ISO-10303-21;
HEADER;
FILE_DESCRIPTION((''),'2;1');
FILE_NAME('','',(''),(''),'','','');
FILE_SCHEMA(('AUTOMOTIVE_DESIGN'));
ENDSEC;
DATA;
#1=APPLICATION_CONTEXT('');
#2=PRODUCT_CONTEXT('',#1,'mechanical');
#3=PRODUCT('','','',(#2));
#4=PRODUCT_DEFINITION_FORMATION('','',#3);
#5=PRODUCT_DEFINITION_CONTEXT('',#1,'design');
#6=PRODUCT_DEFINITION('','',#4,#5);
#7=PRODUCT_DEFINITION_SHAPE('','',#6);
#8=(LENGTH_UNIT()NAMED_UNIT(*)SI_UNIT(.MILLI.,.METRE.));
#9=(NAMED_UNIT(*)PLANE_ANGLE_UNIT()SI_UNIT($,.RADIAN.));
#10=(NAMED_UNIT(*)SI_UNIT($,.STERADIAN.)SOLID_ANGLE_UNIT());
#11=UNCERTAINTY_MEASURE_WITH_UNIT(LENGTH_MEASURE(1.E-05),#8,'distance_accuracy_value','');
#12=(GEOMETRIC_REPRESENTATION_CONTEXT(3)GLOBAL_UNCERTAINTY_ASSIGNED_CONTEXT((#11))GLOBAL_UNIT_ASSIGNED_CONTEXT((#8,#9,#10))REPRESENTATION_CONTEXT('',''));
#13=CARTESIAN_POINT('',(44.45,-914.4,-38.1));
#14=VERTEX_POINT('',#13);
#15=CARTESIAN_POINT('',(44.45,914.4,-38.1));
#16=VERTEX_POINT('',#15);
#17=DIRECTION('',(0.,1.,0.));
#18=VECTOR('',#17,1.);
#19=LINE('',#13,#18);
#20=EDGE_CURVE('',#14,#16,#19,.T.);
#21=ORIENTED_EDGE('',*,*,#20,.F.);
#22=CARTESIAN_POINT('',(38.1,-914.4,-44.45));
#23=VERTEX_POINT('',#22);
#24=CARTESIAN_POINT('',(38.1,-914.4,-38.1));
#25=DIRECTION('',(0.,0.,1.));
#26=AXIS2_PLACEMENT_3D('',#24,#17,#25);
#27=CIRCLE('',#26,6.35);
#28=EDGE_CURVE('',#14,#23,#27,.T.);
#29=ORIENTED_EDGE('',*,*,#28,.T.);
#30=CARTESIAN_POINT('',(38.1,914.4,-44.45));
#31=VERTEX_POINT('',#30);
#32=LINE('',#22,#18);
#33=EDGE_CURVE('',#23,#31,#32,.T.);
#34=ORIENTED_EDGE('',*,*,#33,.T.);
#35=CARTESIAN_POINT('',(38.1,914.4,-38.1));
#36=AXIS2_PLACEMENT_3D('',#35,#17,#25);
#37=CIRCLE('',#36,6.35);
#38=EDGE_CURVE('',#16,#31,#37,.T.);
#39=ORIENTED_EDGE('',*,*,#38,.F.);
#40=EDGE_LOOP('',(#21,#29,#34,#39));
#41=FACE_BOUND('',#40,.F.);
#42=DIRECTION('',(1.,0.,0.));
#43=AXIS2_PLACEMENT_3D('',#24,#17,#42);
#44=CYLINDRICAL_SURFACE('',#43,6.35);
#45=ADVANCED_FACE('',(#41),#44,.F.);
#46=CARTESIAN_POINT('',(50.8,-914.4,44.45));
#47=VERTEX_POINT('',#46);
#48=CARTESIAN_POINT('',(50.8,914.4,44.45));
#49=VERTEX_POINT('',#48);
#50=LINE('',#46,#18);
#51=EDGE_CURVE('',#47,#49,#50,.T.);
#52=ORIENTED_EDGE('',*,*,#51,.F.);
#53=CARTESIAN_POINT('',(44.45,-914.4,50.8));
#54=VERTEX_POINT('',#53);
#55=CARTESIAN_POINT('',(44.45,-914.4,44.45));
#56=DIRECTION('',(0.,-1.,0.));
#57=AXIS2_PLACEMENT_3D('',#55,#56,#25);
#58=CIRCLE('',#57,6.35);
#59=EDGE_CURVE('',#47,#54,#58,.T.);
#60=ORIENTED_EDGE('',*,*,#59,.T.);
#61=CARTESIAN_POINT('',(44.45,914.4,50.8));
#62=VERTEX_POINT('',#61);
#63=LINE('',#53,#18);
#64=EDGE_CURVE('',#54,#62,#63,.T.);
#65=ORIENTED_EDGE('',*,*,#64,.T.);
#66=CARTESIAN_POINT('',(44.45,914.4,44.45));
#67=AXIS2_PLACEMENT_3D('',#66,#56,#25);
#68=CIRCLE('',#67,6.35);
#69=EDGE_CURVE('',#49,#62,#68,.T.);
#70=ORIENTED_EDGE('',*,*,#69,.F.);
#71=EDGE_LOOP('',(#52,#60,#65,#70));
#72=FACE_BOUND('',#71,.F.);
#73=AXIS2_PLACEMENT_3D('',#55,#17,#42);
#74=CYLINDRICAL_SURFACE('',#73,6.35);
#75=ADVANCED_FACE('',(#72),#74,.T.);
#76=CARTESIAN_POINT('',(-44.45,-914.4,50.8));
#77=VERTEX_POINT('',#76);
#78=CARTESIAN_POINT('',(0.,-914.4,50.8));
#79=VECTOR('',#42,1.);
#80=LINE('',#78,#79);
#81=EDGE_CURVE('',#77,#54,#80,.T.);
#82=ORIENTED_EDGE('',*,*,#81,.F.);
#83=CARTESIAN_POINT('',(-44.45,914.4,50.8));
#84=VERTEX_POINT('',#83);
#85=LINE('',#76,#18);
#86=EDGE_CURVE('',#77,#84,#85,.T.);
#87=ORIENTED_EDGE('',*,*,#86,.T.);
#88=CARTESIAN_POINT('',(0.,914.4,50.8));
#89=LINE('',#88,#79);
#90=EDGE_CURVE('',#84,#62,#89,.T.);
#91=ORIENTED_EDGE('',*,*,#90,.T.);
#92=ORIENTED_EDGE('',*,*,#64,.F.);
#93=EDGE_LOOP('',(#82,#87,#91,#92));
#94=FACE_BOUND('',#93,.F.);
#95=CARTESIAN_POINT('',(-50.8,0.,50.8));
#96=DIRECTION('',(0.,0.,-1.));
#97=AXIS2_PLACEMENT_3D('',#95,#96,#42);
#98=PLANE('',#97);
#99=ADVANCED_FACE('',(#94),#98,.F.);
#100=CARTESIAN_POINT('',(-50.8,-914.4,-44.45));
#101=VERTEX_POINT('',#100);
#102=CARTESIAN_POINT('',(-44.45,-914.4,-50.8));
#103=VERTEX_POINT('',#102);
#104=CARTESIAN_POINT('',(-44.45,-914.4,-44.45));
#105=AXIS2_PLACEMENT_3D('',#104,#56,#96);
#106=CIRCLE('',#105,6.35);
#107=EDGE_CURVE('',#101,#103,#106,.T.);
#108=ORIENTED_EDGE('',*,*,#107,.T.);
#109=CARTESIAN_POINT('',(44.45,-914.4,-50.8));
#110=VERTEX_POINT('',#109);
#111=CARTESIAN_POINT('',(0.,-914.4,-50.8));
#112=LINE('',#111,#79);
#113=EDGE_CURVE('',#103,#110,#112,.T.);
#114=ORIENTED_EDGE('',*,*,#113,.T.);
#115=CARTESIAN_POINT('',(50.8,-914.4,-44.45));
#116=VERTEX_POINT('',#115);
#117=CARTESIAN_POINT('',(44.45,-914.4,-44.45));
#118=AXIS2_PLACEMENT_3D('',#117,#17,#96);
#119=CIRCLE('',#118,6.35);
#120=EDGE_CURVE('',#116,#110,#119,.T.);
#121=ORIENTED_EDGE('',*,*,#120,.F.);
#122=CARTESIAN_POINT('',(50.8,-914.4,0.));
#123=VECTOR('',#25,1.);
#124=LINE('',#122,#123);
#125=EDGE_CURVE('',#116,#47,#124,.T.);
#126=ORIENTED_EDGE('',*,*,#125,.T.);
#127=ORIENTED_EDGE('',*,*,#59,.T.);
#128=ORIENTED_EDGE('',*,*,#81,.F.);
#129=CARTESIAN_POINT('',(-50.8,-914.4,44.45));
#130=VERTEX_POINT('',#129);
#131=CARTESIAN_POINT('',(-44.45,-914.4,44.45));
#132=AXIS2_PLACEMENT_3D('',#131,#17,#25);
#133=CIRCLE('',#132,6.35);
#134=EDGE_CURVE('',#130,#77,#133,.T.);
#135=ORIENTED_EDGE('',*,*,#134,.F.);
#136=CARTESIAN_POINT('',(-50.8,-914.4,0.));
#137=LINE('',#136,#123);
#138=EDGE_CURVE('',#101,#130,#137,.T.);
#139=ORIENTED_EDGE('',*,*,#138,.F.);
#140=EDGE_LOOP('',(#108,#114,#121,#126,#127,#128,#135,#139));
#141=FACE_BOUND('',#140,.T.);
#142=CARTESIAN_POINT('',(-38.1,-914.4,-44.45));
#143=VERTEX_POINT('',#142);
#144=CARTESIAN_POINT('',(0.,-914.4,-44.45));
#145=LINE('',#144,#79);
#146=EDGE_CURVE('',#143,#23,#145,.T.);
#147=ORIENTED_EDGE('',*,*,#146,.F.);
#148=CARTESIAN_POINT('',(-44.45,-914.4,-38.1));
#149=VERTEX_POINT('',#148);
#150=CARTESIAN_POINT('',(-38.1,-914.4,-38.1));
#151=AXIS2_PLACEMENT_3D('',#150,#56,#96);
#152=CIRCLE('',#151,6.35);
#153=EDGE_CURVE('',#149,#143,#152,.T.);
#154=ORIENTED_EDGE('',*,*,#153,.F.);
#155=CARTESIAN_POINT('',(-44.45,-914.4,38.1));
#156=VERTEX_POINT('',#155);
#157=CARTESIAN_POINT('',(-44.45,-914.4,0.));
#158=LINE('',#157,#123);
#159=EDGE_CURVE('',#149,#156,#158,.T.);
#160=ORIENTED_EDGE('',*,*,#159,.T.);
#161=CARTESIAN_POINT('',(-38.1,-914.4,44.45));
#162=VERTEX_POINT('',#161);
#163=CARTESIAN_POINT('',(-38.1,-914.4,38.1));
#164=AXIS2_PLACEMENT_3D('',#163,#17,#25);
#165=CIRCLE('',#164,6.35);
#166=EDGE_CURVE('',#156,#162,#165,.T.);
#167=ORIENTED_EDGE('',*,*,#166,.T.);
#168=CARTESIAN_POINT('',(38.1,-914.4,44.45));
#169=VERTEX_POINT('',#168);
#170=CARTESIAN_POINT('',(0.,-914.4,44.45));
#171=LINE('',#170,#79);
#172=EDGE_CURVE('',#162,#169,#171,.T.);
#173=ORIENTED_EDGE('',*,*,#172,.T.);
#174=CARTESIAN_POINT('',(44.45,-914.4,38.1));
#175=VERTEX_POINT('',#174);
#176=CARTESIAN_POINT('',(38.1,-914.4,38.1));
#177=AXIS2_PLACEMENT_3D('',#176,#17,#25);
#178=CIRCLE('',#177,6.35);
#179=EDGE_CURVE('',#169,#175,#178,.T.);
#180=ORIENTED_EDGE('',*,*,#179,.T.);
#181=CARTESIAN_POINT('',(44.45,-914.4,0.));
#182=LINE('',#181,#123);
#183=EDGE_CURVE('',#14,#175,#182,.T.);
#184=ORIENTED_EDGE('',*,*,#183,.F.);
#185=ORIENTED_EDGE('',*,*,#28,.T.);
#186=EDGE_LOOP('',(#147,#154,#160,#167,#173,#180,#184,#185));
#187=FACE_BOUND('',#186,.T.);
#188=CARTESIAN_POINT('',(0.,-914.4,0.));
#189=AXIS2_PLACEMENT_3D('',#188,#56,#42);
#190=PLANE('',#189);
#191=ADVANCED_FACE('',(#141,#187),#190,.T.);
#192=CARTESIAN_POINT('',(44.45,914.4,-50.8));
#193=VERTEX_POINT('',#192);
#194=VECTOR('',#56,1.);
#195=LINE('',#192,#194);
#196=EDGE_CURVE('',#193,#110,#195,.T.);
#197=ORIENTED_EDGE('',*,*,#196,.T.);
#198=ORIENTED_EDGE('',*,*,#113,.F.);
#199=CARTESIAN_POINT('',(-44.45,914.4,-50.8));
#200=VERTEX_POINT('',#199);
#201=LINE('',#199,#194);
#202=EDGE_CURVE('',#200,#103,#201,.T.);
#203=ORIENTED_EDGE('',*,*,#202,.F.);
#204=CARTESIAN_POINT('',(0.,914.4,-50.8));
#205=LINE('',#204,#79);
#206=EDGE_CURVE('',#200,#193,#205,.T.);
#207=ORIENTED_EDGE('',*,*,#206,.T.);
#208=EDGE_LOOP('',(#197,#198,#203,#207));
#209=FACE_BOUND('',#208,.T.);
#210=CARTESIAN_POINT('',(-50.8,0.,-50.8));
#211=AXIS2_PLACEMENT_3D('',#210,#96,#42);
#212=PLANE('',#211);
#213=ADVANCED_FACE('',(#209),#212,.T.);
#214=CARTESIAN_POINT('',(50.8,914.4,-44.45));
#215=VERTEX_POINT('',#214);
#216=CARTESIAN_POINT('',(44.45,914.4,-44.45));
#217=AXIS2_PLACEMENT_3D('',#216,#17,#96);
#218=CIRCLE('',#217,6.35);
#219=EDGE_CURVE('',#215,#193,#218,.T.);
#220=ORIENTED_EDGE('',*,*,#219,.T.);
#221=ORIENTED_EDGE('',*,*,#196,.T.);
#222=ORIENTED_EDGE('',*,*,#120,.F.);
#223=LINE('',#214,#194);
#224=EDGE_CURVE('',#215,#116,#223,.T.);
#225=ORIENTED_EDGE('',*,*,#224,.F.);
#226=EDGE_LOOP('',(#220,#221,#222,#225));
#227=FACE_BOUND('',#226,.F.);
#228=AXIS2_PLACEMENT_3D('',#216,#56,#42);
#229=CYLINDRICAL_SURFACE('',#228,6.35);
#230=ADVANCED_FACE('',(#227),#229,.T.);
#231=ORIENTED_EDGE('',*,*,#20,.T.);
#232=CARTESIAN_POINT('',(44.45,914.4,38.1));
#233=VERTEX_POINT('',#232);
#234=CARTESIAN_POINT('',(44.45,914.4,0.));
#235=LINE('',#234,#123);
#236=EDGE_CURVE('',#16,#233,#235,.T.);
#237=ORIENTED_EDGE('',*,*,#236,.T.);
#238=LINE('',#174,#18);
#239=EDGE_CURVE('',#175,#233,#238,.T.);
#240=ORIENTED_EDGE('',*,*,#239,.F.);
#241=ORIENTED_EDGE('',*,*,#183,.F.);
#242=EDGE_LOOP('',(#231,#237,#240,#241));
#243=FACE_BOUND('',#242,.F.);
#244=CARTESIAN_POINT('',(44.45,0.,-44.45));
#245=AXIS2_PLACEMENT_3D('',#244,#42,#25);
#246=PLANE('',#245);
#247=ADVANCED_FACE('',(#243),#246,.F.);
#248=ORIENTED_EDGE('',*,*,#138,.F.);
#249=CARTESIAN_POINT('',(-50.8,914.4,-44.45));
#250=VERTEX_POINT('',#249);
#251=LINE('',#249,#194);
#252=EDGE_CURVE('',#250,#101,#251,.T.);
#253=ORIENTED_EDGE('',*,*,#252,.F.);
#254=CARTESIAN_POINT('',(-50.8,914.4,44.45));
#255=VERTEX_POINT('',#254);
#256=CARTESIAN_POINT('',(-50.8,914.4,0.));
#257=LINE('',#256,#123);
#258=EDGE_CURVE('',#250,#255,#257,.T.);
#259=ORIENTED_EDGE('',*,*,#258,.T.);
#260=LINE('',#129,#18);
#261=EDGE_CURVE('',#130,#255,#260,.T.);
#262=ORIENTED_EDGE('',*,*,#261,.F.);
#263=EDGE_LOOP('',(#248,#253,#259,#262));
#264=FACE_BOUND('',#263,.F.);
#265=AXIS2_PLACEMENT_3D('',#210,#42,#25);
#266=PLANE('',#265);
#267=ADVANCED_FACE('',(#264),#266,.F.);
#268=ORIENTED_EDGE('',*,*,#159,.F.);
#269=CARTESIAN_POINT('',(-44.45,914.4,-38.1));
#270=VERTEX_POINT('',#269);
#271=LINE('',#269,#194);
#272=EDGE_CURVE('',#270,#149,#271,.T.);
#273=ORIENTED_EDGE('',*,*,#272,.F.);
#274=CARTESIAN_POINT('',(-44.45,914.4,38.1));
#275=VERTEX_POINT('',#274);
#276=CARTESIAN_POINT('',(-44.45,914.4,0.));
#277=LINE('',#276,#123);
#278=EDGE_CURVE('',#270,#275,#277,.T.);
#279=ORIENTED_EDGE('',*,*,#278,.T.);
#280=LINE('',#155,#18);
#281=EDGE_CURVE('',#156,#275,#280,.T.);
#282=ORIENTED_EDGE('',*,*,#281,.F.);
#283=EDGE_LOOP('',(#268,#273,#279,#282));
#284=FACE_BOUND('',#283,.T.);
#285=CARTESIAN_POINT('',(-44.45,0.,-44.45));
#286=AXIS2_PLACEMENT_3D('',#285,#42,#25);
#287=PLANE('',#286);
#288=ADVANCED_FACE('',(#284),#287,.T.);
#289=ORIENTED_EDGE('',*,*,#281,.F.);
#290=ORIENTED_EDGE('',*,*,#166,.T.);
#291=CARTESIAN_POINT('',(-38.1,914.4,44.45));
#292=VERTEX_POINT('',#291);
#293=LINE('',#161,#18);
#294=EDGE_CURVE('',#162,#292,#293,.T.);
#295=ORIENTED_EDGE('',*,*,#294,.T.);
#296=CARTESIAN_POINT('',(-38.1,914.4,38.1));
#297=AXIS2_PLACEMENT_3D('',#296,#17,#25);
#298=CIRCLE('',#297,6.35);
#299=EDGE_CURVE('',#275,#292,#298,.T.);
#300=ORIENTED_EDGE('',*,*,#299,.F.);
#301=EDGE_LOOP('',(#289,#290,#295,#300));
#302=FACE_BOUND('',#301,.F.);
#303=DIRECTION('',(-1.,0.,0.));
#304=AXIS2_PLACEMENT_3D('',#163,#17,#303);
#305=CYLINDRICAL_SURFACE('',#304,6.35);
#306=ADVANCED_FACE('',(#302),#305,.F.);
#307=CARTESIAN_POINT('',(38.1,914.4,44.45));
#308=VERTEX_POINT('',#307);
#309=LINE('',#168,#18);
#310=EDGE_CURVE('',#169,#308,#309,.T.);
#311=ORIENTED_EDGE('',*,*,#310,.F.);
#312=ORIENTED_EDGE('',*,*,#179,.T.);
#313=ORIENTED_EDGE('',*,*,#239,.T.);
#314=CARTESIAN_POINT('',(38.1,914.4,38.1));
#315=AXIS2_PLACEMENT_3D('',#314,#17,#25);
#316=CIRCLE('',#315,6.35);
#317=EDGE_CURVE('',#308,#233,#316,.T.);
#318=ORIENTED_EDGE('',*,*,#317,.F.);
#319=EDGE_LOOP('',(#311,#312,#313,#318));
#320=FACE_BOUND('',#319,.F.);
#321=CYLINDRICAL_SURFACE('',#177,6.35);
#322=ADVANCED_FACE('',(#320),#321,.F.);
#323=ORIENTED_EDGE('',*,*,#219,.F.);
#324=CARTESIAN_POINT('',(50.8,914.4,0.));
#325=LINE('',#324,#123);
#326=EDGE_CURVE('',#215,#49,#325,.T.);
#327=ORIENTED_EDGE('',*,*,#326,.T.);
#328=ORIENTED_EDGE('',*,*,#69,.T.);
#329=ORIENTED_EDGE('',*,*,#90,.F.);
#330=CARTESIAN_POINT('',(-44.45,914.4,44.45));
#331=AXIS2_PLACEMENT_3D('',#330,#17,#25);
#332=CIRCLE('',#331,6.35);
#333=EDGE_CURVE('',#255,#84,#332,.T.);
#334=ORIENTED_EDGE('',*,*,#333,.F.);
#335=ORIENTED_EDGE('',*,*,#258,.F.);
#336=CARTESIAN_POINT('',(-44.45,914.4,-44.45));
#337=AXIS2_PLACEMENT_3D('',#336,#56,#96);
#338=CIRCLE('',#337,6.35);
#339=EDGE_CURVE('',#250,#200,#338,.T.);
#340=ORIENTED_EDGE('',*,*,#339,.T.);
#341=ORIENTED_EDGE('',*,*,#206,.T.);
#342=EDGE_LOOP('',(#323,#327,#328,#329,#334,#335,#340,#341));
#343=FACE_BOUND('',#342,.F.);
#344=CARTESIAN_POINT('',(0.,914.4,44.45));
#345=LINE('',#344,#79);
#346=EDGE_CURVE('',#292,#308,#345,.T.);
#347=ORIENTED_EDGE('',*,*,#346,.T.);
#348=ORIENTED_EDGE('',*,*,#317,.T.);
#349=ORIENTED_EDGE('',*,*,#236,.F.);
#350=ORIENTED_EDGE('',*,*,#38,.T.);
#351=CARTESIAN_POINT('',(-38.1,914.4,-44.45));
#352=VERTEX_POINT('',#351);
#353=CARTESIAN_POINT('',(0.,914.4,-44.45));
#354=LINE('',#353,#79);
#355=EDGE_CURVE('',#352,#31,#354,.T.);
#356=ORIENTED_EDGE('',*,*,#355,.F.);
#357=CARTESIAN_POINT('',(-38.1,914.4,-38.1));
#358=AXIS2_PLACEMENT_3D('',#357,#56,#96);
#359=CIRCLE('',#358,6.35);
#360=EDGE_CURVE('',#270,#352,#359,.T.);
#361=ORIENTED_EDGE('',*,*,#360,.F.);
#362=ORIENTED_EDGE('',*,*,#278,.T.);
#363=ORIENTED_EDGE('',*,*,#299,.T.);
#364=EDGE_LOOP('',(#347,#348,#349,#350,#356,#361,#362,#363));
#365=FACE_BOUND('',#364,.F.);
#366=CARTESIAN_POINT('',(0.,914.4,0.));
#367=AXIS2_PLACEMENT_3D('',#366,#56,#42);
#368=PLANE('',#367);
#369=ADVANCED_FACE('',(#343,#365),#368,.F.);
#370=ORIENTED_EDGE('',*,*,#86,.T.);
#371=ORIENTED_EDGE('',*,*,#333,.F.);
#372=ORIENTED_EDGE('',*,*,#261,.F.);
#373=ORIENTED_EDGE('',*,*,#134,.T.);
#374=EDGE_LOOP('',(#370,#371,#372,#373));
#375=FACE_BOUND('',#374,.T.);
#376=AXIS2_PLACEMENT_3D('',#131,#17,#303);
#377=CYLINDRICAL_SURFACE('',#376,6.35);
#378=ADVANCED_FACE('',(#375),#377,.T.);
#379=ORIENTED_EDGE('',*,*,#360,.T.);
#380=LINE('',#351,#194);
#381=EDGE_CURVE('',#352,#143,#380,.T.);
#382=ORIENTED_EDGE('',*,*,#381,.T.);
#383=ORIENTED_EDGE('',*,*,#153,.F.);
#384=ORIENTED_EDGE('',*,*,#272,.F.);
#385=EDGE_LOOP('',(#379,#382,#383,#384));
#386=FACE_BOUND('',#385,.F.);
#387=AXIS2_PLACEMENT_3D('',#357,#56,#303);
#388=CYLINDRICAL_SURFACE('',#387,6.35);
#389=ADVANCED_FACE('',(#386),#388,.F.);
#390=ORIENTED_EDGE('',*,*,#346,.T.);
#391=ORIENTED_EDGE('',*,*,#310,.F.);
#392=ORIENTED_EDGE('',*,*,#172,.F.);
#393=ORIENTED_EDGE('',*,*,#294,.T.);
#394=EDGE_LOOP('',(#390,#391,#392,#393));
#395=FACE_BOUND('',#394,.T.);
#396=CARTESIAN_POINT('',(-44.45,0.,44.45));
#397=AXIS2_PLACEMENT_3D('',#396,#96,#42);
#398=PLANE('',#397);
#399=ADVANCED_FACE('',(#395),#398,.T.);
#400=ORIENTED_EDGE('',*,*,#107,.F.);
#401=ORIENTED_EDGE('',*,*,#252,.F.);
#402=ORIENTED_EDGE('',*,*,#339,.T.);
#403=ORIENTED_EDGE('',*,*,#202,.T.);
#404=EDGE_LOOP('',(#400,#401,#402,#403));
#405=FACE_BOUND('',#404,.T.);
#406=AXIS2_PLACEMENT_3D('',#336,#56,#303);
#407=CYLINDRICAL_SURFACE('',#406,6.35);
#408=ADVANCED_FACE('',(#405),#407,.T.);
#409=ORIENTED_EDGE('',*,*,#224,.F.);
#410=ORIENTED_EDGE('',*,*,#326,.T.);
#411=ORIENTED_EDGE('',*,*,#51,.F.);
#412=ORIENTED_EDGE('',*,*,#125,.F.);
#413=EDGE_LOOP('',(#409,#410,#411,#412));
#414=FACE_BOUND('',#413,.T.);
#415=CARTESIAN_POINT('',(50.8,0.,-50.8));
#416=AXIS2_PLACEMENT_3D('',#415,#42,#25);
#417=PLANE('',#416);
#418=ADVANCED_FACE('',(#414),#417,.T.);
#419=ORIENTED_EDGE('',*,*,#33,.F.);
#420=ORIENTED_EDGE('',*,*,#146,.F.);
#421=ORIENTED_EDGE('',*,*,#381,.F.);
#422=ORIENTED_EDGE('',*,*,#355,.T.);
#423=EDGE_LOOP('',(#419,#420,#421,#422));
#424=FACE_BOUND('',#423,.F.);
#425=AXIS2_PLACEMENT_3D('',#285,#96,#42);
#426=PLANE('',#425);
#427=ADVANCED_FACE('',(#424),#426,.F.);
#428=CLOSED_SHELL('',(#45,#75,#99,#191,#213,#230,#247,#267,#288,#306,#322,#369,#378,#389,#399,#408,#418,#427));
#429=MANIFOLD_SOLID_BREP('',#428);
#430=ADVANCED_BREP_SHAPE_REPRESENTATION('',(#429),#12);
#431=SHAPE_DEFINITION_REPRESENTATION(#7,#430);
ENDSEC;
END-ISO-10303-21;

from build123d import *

# Parameters (mm, degrees)
F0_W     = 101.6
F0_H     = 101.6
F0_W_2   = 88.9
F0_H_2   = 88.9
F1_DEPTH = 914.4
F2_R     = 6.35


with BuildPart() as f1:
    # F0 (on Front) → F1 (new body, symmetric)
    with BuildSketch(Plane.XZ):
        Rectangle(F0_W, F0_H)
        Rectangle(F0_W_2, F0_H_2, mode=Mode.SUBTRACT)
    extrude(amount=F1_DEPTH, both=True)

    # F2
    f2_edges = [f1.edges().sort_by_distance(p)[0] for p in [
        (-50.8, 0, 50.8),
        (50.8, 0, 50.8),
        (44.45, 0, -44.45),
        (-44.45, 0, -44.45),
        (44.45, 0, 44.45),
        (-44.45, 0, 44.45),
        (50.8, 0, -50.8),
        (-50.8, 0, -50.8),
    ]]
    fillet(f2_edges, radius=F2_R)


solid = f1.part
